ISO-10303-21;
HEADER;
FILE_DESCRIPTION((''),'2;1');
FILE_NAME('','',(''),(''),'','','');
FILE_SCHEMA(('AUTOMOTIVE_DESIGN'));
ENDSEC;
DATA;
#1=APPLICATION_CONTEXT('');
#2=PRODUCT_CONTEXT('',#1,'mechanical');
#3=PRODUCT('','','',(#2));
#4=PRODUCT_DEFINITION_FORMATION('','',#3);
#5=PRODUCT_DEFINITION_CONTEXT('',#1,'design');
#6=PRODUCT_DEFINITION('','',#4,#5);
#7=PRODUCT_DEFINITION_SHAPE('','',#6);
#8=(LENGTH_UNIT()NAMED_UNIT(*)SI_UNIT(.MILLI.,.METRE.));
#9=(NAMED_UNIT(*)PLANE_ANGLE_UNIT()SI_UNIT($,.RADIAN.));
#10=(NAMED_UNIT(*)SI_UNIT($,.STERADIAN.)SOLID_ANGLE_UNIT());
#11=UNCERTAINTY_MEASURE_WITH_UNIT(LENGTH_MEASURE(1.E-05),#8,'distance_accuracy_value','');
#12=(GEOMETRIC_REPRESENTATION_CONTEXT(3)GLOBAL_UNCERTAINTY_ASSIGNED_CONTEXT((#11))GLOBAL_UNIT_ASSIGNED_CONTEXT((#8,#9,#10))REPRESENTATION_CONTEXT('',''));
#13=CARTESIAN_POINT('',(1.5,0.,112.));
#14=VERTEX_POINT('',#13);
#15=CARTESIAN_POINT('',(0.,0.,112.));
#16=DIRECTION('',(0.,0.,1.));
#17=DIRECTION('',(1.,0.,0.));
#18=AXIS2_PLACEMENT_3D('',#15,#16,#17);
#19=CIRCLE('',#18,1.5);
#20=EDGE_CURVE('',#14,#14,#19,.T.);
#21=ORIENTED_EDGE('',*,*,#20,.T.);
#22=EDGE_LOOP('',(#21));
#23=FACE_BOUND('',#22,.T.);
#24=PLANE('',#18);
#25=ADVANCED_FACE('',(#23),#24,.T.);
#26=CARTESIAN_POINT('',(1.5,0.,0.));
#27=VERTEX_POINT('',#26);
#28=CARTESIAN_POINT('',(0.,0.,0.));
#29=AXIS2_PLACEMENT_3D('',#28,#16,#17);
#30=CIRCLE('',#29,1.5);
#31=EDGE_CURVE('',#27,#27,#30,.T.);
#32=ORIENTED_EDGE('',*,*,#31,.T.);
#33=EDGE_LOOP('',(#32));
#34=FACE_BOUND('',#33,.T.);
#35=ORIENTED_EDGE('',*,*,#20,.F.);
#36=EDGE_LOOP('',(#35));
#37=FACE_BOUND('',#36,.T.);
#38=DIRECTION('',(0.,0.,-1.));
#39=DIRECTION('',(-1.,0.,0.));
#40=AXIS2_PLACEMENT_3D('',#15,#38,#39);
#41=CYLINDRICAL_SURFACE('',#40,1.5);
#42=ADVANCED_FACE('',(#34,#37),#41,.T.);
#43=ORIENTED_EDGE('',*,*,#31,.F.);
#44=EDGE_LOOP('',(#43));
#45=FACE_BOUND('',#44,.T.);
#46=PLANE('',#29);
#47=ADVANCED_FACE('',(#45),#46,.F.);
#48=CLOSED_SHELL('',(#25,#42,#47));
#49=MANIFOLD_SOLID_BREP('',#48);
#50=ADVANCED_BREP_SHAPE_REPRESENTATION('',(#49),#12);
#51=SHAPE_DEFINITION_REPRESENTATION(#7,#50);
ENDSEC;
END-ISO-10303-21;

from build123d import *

# Parameters (mm, degrees)
SKETCH1_R           = 1.5
BOSS_EXTRUDE1_DEPTH = 112


with BuildPart() as part:
    # Sketch1 → Boss-Extrude1 (new body)
    with BuildSketch(Plane.XY):
        Circle(SKETCH1_R)
    extrude(amount=BOSS_EXTRUDE1_DEPTH)


solid = part.part
